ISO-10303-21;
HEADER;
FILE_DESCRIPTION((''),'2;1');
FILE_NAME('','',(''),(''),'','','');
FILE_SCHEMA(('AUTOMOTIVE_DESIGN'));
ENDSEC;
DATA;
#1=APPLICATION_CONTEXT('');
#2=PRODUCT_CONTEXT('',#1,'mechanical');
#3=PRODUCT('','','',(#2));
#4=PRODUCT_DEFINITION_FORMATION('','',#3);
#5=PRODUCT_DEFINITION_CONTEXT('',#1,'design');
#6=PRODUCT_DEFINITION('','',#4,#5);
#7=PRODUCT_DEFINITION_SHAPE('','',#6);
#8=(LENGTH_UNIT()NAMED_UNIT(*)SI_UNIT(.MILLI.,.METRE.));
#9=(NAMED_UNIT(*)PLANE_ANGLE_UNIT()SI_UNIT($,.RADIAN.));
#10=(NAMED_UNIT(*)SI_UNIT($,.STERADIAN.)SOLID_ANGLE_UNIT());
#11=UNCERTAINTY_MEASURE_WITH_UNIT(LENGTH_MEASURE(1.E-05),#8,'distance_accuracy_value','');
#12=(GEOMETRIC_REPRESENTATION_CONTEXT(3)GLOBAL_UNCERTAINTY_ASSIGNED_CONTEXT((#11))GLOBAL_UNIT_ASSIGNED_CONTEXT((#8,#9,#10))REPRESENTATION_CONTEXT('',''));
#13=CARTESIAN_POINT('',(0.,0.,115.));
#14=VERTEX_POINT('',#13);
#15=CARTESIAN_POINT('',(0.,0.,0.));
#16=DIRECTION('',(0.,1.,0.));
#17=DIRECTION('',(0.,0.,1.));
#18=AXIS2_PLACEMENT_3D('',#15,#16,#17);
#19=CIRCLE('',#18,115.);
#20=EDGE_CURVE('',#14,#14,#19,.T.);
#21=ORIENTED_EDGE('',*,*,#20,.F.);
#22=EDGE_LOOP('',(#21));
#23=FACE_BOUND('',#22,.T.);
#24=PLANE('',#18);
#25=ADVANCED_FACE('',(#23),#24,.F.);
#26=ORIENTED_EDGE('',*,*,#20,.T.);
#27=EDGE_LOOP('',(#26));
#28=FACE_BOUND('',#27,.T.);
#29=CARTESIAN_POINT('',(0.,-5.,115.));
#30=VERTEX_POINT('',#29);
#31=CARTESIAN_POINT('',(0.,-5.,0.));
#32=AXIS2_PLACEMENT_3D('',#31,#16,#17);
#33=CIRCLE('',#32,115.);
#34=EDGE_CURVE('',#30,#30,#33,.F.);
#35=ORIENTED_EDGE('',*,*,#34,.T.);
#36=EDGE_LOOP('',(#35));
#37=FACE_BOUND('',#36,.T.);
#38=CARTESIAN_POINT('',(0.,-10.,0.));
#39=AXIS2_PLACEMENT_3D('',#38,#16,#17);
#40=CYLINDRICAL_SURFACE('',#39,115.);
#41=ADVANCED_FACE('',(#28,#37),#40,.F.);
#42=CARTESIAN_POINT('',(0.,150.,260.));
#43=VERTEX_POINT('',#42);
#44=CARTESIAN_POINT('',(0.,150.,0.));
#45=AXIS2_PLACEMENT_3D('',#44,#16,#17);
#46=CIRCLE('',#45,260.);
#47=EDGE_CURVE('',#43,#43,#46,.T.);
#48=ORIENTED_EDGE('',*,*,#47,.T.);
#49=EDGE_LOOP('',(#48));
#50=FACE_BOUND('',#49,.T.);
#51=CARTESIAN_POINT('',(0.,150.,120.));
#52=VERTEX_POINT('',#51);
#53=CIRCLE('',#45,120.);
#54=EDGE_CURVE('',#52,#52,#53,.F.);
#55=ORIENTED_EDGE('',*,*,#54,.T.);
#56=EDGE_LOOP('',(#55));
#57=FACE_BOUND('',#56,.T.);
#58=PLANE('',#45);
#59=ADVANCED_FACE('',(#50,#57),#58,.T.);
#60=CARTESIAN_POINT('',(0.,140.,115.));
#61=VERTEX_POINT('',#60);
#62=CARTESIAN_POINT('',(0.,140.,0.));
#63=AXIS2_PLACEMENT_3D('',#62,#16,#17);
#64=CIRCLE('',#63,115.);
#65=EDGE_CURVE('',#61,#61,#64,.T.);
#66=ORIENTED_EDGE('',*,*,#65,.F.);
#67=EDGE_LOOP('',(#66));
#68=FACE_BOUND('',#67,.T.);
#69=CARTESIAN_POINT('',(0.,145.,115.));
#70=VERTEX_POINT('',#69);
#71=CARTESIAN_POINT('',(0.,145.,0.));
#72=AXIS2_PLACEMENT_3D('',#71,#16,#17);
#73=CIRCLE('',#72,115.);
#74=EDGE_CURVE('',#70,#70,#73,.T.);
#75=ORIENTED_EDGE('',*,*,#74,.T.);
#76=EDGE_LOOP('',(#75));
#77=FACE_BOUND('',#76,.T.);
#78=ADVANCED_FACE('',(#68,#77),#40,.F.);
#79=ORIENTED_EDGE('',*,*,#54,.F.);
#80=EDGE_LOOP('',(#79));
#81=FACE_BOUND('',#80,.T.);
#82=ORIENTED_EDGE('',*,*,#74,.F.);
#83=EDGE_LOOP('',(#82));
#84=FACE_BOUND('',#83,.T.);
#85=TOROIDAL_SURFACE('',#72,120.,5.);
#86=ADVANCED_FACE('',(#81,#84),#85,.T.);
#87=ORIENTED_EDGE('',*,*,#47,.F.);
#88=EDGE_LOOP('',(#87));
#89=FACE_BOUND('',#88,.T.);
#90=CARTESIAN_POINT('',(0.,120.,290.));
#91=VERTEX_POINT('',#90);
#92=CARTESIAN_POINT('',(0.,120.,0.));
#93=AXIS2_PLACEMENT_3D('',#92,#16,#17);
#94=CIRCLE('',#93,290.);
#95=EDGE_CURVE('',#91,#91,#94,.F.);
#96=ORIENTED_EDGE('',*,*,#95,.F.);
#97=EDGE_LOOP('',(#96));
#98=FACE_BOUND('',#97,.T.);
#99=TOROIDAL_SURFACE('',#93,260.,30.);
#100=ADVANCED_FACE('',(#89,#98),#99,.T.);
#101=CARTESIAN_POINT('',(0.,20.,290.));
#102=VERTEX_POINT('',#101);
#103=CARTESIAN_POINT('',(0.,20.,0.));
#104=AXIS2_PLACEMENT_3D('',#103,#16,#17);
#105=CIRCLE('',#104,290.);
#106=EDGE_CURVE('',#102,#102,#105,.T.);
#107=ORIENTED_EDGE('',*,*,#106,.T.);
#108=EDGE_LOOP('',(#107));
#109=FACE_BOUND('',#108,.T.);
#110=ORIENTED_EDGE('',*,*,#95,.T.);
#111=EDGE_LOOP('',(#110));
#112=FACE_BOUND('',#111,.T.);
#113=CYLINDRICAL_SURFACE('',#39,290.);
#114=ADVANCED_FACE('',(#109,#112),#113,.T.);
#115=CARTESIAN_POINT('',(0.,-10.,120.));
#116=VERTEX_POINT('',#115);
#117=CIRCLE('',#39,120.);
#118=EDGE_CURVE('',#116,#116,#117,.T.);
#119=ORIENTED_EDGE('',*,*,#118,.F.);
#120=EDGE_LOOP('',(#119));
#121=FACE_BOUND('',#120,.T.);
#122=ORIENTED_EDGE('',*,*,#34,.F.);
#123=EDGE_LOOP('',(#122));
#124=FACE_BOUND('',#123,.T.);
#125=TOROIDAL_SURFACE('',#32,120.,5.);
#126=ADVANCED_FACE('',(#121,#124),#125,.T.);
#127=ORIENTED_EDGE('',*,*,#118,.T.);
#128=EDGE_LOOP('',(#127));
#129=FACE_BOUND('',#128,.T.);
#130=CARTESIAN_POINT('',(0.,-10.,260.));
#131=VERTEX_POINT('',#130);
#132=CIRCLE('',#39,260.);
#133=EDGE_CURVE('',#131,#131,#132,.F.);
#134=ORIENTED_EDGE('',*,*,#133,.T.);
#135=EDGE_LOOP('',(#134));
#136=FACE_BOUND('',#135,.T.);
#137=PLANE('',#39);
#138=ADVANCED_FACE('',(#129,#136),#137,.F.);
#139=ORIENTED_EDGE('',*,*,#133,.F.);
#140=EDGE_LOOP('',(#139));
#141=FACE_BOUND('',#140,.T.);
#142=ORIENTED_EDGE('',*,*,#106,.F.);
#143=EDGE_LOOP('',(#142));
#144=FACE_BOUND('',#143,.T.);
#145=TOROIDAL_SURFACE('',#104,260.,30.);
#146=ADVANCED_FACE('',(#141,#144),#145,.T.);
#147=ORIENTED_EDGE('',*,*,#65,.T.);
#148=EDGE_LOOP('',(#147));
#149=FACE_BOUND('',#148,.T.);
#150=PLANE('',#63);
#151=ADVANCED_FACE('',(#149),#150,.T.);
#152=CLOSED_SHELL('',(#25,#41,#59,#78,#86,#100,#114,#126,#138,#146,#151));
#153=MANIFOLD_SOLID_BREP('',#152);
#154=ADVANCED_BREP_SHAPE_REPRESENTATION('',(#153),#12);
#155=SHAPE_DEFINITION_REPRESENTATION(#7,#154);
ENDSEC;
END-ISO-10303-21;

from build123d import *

# Parameters (mm, degrees)
CROQUIS1_R                   = 115
SALIENTE_EXTRUIR1_DEPTH      = 140
SALIENTE_EXTRUIR2_DEPTH      = 80
SALIENTE_EXTRUIR2_DEPTH_BACK = 80
CROQUIS2_R                   = 290
CROQUIS2_R_2                 = 115
REDONDEO1_R                  = 30
REDONDEO2_R                  = 5
REDONDEO3_R                  = 5


with BuildPart() as part:
    # Croquis1 → Saliente-Extruir1 (new body)
    with BuildSketch(Plane(origin=(0, 0, 0), x_dir=(1, 0, 0), z_dir=(0, 1, 0))):
        with Locations(Location((0, 0, 0), (0, 0, 270))):
            Circle(CROQUIS1_R)
    extrude(amount=SALIENTE_EXTRUIR1_DEPTH)

    # Croquis2 → Saliente-Extruir2 (add, two sides: drawn at the far end of the back side and taken through both)
    with BuildSketch(Plane(origin=(0, 70, 0), x_dir=(1, 0, 0), z_dir=(0, 1, 0)).offset(-SALIENTE_EXTRUIR2_DEPTH_BACK)):
        with Locations(Location((0, 0, 0), (0, 0, 270))):
            Circle(CROQUIS2_R)
        with Locations(Location((0, 0, 0), (0, 0, 270))):
            Circle(CROQUIS2_R_2, mode=Mode.SUBTRACT)
    extrude(amount=SALIENTE_EXTRUIR2_DEPTH + SALIENTE_EXTRUIR2_DEPTH_BACK)

    # Redondeo1
    redondeo1_edges = [part.edges().sort_by_distance(p)[0] for p in [
        (0, -10, -290),
        (0, 150, -290),
    ]]
    fillet(redondeo1_edges, radius=REDONDEO1_R)

    # Redondeo2
    redondeo2_edges = [part.edges().sort_by_distance(p)[0] for p in [
        (0, -10, -115),
    ]]
    fillet(redondeo2_edges, radius=REDONDEO2_R)

    # Redondeo3
    redondeo3_edges = [part.edges().sort_by_distance(p)[0] for p in [
        (0, 150, -115),
    ]]
    fillet(redondeo3_edges, radius=REDONDEO3_R)


solid = part.part
